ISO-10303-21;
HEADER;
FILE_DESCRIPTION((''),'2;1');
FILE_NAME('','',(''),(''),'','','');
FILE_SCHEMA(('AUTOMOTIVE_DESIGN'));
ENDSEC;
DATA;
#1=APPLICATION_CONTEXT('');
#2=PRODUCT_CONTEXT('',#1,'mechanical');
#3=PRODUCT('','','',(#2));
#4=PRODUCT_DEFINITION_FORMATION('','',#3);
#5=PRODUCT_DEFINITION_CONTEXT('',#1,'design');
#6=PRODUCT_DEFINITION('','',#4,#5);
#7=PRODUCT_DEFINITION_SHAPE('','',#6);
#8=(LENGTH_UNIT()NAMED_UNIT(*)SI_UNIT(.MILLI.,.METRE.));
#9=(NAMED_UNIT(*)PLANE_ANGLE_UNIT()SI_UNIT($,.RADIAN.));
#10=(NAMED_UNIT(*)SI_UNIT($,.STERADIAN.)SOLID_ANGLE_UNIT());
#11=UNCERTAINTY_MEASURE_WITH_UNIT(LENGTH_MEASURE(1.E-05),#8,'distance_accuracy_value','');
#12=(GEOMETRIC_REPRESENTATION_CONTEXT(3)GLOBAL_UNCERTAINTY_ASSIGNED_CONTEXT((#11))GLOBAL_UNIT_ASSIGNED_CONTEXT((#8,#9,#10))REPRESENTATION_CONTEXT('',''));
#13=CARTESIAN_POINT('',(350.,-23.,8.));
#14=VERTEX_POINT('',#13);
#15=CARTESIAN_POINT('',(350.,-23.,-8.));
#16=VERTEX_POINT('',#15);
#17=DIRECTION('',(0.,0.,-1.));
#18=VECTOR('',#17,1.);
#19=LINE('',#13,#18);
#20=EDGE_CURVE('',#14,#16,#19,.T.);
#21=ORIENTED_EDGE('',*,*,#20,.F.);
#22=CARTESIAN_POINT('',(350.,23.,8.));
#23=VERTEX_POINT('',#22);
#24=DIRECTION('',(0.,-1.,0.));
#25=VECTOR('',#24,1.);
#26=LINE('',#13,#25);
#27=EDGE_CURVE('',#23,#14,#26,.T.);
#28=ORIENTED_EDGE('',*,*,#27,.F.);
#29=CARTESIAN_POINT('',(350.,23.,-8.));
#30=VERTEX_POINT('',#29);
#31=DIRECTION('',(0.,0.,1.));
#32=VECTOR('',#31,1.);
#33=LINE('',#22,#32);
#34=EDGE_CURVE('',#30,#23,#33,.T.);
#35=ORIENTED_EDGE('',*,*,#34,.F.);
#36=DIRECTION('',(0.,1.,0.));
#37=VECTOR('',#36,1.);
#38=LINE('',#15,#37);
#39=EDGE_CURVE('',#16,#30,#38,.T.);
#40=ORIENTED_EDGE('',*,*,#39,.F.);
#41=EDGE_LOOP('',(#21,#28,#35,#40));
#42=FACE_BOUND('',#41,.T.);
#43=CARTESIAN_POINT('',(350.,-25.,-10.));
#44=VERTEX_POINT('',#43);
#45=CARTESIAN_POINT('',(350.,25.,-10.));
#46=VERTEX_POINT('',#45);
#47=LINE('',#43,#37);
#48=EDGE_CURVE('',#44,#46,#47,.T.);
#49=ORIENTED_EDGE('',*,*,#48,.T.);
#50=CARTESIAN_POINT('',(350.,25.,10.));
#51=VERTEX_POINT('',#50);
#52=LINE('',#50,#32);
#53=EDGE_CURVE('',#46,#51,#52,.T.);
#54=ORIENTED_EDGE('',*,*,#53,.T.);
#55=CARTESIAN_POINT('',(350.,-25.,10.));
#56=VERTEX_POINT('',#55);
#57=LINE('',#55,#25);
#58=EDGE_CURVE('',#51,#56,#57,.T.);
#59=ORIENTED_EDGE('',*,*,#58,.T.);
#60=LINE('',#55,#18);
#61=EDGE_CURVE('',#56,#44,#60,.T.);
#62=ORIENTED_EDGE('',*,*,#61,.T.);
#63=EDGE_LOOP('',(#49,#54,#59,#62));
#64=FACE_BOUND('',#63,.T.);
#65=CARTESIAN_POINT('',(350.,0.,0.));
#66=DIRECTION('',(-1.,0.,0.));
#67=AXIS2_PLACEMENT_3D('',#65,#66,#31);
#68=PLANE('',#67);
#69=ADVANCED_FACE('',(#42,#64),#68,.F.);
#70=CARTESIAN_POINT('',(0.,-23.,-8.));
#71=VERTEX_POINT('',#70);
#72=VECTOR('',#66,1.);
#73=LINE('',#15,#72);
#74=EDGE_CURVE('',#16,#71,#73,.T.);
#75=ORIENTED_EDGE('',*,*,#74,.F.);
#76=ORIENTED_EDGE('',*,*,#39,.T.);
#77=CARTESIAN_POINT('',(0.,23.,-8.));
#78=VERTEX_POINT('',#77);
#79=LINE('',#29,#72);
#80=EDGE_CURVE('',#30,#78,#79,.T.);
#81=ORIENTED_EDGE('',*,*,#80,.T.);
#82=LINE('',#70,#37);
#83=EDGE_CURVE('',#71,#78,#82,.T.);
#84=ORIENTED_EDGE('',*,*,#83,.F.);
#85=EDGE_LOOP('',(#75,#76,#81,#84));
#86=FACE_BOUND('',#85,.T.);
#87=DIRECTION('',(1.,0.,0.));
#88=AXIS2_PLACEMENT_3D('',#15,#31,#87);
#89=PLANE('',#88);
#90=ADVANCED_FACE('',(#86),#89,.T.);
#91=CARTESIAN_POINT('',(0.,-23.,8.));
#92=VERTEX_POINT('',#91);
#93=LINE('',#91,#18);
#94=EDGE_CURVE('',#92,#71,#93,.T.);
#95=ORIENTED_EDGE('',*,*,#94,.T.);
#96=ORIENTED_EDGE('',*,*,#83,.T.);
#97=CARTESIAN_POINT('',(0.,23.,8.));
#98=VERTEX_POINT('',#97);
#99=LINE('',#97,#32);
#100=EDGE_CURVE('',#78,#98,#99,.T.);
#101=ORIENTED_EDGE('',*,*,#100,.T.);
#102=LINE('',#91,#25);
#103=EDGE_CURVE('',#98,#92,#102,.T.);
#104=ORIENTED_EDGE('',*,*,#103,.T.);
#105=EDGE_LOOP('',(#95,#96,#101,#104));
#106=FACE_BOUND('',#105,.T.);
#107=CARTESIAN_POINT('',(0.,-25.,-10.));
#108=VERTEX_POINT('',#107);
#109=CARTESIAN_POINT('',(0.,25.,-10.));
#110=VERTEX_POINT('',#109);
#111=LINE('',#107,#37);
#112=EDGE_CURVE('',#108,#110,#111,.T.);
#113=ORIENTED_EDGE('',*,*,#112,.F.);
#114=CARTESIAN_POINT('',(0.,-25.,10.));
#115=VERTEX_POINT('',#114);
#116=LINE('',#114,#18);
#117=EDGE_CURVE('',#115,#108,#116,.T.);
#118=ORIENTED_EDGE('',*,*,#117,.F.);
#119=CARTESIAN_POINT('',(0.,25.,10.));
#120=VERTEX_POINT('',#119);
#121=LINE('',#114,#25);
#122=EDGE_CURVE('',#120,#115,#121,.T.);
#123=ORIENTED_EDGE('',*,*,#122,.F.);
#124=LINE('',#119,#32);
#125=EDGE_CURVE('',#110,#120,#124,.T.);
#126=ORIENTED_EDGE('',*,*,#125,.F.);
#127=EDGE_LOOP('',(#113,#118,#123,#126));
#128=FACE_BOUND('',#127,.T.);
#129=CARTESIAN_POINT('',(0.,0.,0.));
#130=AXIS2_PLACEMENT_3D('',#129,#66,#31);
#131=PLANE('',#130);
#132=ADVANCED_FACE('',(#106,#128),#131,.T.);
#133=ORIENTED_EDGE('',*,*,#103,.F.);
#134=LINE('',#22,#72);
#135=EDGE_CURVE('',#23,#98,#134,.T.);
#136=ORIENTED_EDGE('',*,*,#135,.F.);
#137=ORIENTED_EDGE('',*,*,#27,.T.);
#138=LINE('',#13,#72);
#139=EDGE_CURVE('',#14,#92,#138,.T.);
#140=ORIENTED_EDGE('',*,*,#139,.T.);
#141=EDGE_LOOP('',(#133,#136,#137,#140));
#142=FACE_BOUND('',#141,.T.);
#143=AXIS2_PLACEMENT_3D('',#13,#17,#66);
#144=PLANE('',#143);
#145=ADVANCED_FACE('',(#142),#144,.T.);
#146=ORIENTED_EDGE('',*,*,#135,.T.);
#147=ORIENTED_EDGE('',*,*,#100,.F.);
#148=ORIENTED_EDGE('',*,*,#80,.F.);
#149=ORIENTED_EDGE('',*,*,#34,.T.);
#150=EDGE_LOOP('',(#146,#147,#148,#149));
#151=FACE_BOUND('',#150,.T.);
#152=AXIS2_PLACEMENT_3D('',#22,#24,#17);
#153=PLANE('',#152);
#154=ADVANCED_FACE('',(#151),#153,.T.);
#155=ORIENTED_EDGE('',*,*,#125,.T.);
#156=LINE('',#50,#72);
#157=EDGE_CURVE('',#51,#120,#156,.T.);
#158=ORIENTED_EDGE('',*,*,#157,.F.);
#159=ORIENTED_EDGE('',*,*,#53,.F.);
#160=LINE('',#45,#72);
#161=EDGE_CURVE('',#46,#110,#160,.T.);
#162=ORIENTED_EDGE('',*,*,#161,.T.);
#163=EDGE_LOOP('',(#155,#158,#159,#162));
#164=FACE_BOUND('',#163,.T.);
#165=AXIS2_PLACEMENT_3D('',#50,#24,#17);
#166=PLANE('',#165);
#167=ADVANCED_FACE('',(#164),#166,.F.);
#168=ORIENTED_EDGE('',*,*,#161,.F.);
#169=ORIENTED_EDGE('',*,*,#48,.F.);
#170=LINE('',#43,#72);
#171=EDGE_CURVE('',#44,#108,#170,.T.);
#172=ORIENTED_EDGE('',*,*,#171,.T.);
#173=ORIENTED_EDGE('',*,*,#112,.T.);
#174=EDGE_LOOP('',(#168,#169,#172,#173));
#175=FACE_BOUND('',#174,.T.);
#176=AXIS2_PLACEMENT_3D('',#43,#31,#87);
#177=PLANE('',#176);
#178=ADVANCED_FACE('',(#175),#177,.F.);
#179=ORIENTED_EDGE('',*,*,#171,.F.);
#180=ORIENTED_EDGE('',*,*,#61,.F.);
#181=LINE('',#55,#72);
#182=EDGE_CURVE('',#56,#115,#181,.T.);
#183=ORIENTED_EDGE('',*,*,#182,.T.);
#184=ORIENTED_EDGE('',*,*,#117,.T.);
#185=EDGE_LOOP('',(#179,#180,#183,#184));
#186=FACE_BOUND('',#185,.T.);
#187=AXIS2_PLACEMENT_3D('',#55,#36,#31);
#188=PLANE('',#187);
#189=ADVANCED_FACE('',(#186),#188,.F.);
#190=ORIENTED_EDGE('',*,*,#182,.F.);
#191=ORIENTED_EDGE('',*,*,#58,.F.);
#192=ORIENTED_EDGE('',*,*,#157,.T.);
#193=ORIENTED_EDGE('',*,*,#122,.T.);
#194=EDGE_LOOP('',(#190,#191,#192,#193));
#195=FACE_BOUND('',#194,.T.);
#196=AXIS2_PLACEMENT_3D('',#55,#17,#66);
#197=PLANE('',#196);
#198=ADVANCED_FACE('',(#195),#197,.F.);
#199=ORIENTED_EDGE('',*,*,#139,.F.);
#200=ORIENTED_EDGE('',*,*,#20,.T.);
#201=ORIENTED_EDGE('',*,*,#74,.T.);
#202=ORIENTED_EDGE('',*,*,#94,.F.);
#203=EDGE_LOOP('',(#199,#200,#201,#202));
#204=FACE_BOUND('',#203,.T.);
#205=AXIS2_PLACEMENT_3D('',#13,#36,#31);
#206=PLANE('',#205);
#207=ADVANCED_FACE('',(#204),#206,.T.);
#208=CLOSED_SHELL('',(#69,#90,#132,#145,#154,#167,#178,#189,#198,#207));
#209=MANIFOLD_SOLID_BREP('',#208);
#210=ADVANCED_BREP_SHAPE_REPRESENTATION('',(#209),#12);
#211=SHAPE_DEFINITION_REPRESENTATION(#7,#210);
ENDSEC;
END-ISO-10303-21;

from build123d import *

# Parameters (mm, degrees)
SKETCH_1_W      = 20
SKETCH_1_H      = 50
SKETCH_1_W_2    = 16
SKETCH_1_H_2    = 46
EXTRUDE_1_DEPTH = 350


with BuildPart() as part:
    # Эскиз1 → Бобышка-Вытянуть1 (new body)
    with BuildSketch(Plane(origin=(0, 0, 0), x_dir=(0, 0, -1), z_dir=(1, 0, 0))):
        Rectangle(SKETCH_1_W, SKETCH_1_H)
        Rectangle(SKETCH_1_W_2, SKETCH_1_H_2, mode=Mode.SUBTRACT)
    extrude(amount=EXTRUDE_1_DEPTH)


solid = part.part
